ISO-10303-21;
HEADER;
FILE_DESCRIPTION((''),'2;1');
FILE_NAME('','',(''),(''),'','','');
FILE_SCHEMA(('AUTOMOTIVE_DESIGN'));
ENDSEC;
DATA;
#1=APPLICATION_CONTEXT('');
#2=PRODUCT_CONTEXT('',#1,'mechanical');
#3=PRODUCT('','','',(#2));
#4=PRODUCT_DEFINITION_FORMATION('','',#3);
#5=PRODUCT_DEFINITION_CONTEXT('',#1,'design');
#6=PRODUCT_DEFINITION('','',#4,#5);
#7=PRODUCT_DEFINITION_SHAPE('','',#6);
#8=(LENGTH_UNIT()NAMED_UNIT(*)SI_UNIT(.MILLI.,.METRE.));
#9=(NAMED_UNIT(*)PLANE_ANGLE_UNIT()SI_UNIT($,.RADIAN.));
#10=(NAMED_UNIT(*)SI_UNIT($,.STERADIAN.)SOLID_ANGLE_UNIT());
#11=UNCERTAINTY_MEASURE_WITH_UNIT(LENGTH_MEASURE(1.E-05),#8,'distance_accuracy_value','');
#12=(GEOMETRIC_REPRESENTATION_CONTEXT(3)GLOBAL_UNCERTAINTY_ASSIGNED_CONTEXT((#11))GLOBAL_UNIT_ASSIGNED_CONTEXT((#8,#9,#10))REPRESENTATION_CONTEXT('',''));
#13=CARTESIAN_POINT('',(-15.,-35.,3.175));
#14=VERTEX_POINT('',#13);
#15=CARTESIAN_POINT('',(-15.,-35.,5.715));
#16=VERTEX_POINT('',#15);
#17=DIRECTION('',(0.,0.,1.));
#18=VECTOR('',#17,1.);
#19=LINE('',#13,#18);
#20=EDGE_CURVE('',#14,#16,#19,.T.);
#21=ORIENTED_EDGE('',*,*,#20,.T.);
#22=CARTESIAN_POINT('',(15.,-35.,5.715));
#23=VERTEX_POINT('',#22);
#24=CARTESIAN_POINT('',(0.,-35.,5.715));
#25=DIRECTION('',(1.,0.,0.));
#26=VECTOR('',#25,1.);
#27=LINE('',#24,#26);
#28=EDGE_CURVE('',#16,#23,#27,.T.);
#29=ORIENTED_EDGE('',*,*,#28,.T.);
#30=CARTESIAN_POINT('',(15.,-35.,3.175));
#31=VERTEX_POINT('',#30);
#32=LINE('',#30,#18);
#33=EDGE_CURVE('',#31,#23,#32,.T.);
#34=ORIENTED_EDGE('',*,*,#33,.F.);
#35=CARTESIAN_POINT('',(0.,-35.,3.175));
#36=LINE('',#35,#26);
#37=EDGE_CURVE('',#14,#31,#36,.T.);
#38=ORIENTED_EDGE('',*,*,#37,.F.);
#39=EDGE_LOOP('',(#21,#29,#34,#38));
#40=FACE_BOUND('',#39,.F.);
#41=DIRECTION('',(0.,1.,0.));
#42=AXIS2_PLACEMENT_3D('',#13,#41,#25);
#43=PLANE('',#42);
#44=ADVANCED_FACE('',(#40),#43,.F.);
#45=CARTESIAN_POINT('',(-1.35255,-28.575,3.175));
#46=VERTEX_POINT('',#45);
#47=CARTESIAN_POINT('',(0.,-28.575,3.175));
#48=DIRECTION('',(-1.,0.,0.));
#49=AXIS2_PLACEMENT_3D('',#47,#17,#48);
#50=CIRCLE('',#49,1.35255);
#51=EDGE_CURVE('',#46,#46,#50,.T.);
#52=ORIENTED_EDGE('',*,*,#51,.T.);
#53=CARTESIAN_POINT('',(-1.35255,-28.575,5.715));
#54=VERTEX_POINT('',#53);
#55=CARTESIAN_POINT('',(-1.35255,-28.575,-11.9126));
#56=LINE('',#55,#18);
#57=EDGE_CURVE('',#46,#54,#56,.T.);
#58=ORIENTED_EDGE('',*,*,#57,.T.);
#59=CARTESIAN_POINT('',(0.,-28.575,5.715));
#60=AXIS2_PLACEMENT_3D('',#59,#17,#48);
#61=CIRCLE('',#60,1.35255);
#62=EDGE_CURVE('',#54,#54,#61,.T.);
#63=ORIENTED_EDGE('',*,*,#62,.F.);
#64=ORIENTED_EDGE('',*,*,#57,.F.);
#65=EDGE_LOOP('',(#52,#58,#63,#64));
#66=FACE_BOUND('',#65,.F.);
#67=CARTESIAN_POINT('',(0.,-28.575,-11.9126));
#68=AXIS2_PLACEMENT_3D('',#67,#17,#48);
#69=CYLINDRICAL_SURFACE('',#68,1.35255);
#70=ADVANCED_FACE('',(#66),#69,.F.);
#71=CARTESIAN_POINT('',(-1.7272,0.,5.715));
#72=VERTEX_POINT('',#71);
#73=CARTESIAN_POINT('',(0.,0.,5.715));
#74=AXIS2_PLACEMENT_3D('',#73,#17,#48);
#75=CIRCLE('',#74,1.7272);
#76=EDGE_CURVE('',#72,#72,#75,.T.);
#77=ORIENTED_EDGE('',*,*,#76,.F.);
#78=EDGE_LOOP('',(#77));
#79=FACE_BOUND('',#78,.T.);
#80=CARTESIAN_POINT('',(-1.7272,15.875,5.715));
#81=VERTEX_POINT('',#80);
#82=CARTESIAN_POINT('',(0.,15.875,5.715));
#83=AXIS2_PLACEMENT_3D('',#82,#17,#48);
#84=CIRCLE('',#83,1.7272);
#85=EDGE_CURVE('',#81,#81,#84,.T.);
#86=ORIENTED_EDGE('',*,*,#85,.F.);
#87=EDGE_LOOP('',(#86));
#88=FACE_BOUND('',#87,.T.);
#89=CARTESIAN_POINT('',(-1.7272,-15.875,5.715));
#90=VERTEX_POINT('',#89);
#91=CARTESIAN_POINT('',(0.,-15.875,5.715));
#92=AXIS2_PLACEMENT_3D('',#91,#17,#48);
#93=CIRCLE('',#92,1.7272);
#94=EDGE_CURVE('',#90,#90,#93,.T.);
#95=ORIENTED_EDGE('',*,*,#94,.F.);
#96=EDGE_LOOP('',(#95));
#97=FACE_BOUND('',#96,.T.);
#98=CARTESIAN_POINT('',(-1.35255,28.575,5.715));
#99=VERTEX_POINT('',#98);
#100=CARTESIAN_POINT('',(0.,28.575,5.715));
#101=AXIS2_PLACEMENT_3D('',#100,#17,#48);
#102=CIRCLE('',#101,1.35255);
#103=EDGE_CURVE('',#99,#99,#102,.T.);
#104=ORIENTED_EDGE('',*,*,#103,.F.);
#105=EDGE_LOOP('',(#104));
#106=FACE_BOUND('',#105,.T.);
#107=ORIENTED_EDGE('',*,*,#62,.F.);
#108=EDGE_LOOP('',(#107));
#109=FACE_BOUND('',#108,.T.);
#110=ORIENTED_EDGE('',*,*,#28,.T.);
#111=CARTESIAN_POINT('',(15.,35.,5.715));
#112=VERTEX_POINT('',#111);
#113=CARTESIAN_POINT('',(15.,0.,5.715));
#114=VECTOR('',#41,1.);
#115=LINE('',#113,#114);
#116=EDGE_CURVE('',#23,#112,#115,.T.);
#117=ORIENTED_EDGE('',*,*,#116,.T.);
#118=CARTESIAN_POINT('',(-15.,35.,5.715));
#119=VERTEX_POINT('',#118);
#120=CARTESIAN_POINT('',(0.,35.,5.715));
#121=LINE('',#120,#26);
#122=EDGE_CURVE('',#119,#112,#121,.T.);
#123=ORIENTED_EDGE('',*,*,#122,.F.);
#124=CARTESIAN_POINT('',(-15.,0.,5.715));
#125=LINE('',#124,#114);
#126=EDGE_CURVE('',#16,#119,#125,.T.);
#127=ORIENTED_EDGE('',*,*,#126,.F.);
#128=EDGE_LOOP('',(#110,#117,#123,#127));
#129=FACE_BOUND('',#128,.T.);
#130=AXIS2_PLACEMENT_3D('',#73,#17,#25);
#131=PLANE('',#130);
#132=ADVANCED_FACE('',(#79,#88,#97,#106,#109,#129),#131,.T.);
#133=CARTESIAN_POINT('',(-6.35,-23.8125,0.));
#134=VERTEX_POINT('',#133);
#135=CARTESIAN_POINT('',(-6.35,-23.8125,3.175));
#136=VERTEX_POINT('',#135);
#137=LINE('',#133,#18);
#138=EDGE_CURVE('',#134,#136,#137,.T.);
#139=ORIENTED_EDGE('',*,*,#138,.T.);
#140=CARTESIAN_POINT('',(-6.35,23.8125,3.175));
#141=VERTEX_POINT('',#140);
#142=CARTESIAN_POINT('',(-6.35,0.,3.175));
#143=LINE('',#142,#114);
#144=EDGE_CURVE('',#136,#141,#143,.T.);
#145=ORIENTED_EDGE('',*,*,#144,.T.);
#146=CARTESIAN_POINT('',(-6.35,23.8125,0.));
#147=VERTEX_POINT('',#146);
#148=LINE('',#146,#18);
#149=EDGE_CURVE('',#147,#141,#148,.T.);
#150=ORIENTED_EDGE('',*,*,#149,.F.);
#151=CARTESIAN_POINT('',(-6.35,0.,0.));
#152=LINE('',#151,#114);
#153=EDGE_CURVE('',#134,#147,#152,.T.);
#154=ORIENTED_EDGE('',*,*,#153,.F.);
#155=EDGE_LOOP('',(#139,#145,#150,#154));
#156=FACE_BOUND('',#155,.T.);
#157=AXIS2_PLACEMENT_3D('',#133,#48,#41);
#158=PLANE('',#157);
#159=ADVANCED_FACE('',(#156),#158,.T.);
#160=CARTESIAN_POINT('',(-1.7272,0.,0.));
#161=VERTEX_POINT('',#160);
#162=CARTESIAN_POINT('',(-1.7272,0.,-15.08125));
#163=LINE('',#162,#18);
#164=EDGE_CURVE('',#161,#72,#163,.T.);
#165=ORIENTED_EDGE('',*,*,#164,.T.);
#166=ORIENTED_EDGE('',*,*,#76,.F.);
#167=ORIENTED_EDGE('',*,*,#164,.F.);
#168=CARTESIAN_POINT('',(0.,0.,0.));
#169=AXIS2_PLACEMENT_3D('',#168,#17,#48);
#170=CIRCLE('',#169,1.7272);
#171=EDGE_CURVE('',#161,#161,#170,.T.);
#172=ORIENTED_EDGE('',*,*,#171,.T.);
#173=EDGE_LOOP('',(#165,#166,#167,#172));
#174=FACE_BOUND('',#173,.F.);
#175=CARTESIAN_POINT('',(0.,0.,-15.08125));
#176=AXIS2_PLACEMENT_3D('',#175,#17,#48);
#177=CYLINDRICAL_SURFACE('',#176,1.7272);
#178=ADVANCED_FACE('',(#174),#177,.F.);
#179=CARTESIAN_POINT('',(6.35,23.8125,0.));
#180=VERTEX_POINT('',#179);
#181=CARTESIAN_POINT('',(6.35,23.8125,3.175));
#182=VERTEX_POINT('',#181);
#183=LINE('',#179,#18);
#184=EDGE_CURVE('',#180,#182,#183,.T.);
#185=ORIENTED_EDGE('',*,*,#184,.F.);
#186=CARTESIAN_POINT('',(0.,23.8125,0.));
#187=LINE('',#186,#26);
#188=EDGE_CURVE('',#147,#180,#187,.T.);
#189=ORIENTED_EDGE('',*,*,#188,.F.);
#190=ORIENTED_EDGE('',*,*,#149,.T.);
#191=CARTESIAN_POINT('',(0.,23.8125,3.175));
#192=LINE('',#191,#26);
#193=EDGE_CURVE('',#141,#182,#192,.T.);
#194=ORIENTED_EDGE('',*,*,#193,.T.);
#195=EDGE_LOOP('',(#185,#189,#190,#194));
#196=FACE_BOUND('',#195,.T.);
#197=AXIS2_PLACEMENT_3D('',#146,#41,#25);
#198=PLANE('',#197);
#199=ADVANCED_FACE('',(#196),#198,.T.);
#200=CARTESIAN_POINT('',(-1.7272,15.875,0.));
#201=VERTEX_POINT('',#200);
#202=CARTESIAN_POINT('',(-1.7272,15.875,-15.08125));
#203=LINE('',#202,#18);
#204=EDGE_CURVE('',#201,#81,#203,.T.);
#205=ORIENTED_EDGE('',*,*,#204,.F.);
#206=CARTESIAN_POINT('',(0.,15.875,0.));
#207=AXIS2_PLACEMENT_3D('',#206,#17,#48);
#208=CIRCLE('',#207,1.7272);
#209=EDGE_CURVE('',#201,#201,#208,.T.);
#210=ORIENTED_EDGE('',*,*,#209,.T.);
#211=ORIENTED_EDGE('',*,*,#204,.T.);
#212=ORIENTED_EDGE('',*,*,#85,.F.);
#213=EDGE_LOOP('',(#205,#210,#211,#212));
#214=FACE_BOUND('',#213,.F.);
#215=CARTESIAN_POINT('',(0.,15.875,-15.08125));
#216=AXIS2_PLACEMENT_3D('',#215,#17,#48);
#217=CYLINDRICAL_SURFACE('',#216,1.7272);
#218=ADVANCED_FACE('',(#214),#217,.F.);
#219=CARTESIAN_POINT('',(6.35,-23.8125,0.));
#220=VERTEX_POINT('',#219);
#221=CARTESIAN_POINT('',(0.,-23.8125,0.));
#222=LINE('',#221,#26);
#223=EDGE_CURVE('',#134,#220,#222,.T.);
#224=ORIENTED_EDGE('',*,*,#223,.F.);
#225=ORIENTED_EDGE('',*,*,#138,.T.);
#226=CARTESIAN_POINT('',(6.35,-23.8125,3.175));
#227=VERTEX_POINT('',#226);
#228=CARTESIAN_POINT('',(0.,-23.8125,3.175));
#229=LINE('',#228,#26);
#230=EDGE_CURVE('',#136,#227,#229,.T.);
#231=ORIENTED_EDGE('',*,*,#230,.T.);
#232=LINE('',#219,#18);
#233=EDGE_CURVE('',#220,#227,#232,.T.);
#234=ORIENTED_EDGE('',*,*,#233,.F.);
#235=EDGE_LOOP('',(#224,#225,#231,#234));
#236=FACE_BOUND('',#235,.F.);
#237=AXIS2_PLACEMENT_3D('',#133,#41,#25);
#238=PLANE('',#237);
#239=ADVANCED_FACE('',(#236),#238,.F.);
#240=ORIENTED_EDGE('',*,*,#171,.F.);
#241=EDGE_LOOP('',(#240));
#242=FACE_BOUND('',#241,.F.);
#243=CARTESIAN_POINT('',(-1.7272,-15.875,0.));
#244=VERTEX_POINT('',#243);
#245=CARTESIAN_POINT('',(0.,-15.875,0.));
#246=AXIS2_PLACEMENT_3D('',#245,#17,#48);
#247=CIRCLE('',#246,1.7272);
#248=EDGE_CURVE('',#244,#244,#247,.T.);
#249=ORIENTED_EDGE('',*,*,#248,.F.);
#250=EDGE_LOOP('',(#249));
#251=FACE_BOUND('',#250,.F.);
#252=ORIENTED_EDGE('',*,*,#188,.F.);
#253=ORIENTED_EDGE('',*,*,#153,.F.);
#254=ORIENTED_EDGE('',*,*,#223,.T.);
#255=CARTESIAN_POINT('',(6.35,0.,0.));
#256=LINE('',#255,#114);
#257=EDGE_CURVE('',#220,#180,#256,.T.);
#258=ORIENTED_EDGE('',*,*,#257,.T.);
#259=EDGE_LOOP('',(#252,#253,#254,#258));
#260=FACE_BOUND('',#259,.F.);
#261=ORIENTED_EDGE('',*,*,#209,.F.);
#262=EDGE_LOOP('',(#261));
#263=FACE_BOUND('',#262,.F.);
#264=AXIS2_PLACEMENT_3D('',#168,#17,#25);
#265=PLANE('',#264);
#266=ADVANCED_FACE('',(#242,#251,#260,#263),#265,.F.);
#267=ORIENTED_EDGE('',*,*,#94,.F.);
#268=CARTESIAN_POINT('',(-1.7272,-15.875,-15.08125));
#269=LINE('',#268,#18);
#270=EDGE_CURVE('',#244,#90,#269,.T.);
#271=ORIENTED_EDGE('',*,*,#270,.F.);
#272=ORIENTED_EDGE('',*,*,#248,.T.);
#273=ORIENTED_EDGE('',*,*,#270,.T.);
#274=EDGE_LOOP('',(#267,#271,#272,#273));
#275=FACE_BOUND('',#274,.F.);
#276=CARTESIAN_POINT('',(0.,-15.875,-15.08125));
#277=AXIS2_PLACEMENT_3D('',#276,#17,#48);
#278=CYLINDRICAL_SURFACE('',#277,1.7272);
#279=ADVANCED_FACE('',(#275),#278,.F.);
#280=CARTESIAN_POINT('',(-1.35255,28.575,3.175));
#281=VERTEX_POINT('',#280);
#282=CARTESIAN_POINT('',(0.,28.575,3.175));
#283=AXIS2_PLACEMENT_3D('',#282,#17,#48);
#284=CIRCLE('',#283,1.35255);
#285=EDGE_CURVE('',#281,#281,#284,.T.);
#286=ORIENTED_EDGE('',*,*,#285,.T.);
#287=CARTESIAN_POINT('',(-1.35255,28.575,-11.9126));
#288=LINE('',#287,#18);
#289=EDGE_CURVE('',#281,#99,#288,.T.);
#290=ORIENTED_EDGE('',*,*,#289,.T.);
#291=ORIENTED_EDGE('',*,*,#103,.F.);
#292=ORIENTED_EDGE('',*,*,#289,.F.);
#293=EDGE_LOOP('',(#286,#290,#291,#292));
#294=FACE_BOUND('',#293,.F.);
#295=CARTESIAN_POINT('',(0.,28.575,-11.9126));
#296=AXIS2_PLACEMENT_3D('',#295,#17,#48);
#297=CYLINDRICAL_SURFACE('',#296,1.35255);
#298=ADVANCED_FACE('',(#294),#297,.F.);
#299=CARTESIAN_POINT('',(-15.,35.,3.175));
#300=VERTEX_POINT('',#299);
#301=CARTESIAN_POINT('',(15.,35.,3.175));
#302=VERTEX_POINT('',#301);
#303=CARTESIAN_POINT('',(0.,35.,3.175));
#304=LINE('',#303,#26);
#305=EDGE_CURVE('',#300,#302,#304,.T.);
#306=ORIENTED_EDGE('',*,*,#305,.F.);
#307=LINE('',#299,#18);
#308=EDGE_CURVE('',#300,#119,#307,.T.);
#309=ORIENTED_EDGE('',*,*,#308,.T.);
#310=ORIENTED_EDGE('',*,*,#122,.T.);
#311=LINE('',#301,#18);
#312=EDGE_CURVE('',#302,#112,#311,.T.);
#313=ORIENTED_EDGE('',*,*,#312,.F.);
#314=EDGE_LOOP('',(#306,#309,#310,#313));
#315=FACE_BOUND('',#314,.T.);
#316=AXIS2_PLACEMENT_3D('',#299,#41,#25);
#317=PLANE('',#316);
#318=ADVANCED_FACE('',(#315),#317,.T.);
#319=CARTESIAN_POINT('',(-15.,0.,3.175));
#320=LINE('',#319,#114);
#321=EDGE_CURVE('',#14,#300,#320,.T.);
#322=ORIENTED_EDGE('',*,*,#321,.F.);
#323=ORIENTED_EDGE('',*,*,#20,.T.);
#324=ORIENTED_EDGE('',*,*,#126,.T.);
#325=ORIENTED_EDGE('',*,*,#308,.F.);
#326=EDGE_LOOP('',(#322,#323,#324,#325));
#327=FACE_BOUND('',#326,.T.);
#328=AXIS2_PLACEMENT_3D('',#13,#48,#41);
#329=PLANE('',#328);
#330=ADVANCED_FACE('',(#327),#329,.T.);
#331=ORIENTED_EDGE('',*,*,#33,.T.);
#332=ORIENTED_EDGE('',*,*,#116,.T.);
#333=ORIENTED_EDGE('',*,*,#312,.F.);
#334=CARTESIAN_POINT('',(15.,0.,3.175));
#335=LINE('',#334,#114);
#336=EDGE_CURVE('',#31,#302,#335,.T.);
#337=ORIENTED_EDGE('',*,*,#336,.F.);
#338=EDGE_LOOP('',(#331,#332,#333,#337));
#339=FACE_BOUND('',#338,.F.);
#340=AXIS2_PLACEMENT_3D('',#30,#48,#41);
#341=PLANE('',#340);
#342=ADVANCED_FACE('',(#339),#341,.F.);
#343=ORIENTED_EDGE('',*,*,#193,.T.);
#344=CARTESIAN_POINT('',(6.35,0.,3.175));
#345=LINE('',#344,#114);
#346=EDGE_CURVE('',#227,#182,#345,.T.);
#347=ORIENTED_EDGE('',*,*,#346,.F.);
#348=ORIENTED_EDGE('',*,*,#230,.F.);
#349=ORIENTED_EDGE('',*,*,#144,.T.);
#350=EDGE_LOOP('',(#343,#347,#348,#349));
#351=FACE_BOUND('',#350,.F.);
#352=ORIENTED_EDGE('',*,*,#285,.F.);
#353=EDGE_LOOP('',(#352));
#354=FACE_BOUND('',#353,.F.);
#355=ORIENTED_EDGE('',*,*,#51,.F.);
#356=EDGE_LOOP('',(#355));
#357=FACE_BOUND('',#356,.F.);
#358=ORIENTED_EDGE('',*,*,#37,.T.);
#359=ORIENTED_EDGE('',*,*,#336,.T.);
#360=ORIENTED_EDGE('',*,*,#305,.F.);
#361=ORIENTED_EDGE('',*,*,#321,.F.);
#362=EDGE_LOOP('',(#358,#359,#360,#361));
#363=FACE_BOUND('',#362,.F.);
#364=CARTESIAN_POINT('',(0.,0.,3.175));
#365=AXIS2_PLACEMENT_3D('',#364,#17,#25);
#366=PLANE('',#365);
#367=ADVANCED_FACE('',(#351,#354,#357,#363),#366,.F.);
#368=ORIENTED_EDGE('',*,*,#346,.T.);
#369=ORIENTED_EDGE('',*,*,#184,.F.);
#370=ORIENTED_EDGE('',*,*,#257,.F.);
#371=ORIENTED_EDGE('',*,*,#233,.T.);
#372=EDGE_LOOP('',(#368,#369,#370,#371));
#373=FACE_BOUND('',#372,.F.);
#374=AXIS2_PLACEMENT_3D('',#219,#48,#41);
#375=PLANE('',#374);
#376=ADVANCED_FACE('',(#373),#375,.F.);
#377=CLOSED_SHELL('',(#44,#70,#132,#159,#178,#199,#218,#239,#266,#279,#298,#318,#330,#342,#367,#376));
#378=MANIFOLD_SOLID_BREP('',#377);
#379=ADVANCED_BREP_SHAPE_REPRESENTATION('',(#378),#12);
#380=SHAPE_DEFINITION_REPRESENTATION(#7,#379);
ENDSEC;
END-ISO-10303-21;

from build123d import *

# Parameters (mm, degrees)
F0_W     = 12.7
F0_H     = 47.625
F1_DEPTH = 3.175
F2_W     = 30
F2_H     = 70
F3_DEPTH = 2.54
F5_D     = 3.4544
F5_DEPTH = 15.08125
F5_TIP   = 1.0378064612
F7_D     = 2.7051
F7_DEPTH = 15.0876
F7_TIP   = 0.8126940303


with BuildPart() as f1:
    # F0 (on Top) → F1 (new body)
    with BuildSketch(Plane.XY):
        Rectangle(F0_W, F0_H)
    extrude(amount=F1_DEPTH)

    # F2 (on face) → F3 (join)
    with BuildSketch(Plane.XY.offset(3.175)):
        Rectangle(F2_W, F2_H)
    extrude(amount=F3_DEPTH)

    # F5
    with Locations(Plane(origin=(0, 0, 0), x_dir=(1, 0, 0), z_dir=(0, 0, -1))):
        with Locations((0, 15.875), (0, 0), (0, -15.875)):
            Hole(F5_D / 2, depth=F5_DEPTH)
            with Locations((0, 0, -(F5_DEPTH + F5_TIP / 2))):  # 118° drill point
                Cone(0, F5_D / 2, F5_TIP, mode=Mode.SUBTRACT)

    # F7
    with Locations(Plane(origin=(0, 0, 3.175), x_dir=(1, 0, 0), z_dir=(0, 0, -1))):
        with Locations((0, 28.575), (0, -28.575)):
            Hole(F7_D / 2, depth=F7_DEPTH)
            with Locations((0, 0, -(F7_DEPTH + F7_TIP / 2))):  # 118° drill point
                Cone(0, F7_D / 2, F7_TIP, mode=Mode.SUBTRACT)


solid = f1.part
